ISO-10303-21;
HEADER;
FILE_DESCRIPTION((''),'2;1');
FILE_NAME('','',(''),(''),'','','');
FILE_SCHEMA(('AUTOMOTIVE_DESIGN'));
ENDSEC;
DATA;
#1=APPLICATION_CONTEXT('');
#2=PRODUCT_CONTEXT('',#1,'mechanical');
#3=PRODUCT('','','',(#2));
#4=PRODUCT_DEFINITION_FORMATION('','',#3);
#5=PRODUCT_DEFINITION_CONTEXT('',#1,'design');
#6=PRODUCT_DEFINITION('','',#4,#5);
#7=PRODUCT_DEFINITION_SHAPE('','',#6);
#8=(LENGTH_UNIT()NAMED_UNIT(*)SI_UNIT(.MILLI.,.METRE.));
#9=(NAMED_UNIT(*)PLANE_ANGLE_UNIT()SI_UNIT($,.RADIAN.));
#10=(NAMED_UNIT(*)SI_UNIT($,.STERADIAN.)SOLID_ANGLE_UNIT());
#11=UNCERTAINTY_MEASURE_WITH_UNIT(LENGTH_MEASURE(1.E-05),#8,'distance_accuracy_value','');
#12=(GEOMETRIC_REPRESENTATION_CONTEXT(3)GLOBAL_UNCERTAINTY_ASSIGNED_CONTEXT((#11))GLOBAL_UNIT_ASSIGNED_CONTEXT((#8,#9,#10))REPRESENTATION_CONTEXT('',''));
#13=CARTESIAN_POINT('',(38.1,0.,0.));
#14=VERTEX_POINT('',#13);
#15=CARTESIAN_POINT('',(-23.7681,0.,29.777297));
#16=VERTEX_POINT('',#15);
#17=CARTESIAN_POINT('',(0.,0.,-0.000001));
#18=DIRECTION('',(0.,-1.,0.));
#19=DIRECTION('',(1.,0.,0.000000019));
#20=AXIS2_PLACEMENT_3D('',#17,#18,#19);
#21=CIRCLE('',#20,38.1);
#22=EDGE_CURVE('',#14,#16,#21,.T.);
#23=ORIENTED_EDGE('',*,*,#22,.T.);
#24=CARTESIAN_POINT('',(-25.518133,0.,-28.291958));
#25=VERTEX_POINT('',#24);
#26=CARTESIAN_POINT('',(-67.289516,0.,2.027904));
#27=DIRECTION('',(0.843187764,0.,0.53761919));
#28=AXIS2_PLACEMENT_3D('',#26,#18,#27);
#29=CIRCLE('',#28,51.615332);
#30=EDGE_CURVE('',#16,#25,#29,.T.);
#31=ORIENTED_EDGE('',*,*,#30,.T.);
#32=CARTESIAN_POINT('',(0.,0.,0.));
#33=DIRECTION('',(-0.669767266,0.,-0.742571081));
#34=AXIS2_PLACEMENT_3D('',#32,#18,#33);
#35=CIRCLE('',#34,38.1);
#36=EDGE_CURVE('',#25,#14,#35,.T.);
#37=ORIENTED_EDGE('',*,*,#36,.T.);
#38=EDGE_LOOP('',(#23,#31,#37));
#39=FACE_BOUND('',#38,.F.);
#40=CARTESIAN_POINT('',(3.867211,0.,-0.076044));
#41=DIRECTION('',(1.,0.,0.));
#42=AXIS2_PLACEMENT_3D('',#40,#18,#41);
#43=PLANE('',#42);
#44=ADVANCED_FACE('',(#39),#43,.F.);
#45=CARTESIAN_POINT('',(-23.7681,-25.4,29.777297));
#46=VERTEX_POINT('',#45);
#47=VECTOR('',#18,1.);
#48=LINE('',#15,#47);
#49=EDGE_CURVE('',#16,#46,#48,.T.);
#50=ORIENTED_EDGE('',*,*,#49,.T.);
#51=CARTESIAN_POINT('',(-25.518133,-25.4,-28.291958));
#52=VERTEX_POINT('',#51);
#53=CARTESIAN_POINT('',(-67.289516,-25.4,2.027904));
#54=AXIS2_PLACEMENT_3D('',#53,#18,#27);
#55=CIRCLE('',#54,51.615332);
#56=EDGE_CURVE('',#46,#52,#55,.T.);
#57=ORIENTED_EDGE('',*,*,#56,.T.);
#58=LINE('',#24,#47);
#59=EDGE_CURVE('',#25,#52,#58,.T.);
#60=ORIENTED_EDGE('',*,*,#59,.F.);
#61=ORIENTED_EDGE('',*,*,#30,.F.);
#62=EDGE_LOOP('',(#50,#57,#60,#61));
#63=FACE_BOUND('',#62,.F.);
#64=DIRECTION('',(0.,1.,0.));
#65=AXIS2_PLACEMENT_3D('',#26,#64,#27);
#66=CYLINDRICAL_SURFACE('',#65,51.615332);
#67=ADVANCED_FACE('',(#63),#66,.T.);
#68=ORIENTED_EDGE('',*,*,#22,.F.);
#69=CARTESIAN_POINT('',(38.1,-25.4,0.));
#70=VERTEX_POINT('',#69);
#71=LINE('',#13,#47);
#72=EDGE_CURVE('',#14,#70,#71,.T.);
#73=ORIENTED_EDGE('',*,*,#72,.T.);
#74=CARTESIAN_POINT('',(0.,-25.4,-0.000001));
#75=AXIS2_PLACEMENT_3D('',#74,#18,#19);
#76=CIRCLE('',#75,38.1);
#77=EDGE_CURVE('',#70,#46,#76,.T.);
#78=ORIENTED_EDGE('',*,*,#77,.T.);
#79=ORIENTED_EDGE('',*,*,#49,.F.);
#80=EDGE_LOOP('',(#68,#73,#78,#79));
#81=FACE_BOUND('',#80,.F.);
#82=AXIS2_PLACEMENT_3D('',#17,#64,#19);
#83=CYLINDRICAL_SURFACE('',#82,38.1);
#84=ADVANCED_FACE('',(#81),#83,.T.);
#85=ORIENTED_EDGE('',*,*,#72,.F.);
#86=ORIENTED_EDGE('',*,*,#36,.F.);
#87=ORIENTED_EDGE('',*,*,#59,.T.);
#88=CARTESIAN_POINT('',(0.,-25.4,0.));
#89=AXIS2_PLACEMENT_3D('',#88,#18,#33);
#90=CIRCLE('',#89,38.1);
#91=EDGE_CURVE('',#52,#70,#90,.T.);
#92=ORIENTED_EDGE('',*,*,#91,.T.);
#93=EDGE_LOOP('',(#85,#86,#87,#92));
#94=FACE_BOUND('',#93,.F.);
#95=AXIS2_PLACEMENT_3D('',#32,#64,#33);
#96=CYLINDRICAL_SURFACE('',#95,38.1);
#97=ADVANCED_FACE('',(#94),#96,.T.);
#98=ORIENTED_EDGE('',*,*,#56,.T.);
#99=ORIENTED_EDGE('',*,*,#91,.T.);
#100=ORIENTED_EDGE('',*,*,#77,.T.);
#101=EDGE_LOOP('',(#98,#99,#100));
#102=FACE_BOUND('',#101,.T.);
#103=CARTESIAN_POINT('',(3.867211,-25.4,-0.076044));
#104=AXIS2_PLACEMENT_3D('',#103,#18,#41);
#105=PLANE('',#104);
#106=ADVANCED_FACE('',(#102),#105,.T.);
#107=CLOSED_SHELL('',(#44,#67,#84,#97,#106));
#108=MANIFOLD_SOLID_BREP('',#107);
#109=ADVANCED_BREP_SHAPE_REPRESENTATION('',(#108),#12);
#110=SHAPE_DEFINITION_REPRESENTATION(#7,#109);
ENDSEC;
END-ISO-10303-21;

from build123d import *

# Parameters (mm, degrees)
F1_DEPTH = 25.4


with BuildPart() as f1:
    # F0 (on Front) → F1 (new body)
    with BuildSketch(Plane.XZ):
        with BuildLine():
            ThreePointArc((-25.518133, -28.291958), (15.48175, -34.812719), (38.1, 0))
            ThreePointArc((38.1, 0), (16.523398, 34.330559), (-23.7681, 29.777297))
            ThreePointArc((-23.7681, 29.777297), (-17.738962, 16.48076), (-15.674184, 2.027903))
            ThreePointArc((-15.674184, 2.027903), (-18.196817, -13.911022), (-25.518133, -28.291958))
        make_face()
        with BuildLine():
            ThreePointArc((-15.674184, 2.027903), (-17.738962, 16.48076), (-23.7681, 29.777297))
            ThreePointArc((-23.7681, 29.777297), (-38.08271, 1.147698), (-25.518133, -28.291958))
            ThreePointArc((-25.518133, -28.291958), (-18.196817, -13.911022), (-15.674184, 2.027903))
        make_face()
        with BuildLine():
            ThreePointArc((-25.518133, -28.291958), (-38.08271, 1.147698), (-23.7681, 29.777297))
            ThreePointArc((-23.7681, 29.777297), (-118.881425, 3.582728), (-25.518133, -28.291958))
        make_face()
    extrude(amount=F1_DEPTH)


solid = f1.part
